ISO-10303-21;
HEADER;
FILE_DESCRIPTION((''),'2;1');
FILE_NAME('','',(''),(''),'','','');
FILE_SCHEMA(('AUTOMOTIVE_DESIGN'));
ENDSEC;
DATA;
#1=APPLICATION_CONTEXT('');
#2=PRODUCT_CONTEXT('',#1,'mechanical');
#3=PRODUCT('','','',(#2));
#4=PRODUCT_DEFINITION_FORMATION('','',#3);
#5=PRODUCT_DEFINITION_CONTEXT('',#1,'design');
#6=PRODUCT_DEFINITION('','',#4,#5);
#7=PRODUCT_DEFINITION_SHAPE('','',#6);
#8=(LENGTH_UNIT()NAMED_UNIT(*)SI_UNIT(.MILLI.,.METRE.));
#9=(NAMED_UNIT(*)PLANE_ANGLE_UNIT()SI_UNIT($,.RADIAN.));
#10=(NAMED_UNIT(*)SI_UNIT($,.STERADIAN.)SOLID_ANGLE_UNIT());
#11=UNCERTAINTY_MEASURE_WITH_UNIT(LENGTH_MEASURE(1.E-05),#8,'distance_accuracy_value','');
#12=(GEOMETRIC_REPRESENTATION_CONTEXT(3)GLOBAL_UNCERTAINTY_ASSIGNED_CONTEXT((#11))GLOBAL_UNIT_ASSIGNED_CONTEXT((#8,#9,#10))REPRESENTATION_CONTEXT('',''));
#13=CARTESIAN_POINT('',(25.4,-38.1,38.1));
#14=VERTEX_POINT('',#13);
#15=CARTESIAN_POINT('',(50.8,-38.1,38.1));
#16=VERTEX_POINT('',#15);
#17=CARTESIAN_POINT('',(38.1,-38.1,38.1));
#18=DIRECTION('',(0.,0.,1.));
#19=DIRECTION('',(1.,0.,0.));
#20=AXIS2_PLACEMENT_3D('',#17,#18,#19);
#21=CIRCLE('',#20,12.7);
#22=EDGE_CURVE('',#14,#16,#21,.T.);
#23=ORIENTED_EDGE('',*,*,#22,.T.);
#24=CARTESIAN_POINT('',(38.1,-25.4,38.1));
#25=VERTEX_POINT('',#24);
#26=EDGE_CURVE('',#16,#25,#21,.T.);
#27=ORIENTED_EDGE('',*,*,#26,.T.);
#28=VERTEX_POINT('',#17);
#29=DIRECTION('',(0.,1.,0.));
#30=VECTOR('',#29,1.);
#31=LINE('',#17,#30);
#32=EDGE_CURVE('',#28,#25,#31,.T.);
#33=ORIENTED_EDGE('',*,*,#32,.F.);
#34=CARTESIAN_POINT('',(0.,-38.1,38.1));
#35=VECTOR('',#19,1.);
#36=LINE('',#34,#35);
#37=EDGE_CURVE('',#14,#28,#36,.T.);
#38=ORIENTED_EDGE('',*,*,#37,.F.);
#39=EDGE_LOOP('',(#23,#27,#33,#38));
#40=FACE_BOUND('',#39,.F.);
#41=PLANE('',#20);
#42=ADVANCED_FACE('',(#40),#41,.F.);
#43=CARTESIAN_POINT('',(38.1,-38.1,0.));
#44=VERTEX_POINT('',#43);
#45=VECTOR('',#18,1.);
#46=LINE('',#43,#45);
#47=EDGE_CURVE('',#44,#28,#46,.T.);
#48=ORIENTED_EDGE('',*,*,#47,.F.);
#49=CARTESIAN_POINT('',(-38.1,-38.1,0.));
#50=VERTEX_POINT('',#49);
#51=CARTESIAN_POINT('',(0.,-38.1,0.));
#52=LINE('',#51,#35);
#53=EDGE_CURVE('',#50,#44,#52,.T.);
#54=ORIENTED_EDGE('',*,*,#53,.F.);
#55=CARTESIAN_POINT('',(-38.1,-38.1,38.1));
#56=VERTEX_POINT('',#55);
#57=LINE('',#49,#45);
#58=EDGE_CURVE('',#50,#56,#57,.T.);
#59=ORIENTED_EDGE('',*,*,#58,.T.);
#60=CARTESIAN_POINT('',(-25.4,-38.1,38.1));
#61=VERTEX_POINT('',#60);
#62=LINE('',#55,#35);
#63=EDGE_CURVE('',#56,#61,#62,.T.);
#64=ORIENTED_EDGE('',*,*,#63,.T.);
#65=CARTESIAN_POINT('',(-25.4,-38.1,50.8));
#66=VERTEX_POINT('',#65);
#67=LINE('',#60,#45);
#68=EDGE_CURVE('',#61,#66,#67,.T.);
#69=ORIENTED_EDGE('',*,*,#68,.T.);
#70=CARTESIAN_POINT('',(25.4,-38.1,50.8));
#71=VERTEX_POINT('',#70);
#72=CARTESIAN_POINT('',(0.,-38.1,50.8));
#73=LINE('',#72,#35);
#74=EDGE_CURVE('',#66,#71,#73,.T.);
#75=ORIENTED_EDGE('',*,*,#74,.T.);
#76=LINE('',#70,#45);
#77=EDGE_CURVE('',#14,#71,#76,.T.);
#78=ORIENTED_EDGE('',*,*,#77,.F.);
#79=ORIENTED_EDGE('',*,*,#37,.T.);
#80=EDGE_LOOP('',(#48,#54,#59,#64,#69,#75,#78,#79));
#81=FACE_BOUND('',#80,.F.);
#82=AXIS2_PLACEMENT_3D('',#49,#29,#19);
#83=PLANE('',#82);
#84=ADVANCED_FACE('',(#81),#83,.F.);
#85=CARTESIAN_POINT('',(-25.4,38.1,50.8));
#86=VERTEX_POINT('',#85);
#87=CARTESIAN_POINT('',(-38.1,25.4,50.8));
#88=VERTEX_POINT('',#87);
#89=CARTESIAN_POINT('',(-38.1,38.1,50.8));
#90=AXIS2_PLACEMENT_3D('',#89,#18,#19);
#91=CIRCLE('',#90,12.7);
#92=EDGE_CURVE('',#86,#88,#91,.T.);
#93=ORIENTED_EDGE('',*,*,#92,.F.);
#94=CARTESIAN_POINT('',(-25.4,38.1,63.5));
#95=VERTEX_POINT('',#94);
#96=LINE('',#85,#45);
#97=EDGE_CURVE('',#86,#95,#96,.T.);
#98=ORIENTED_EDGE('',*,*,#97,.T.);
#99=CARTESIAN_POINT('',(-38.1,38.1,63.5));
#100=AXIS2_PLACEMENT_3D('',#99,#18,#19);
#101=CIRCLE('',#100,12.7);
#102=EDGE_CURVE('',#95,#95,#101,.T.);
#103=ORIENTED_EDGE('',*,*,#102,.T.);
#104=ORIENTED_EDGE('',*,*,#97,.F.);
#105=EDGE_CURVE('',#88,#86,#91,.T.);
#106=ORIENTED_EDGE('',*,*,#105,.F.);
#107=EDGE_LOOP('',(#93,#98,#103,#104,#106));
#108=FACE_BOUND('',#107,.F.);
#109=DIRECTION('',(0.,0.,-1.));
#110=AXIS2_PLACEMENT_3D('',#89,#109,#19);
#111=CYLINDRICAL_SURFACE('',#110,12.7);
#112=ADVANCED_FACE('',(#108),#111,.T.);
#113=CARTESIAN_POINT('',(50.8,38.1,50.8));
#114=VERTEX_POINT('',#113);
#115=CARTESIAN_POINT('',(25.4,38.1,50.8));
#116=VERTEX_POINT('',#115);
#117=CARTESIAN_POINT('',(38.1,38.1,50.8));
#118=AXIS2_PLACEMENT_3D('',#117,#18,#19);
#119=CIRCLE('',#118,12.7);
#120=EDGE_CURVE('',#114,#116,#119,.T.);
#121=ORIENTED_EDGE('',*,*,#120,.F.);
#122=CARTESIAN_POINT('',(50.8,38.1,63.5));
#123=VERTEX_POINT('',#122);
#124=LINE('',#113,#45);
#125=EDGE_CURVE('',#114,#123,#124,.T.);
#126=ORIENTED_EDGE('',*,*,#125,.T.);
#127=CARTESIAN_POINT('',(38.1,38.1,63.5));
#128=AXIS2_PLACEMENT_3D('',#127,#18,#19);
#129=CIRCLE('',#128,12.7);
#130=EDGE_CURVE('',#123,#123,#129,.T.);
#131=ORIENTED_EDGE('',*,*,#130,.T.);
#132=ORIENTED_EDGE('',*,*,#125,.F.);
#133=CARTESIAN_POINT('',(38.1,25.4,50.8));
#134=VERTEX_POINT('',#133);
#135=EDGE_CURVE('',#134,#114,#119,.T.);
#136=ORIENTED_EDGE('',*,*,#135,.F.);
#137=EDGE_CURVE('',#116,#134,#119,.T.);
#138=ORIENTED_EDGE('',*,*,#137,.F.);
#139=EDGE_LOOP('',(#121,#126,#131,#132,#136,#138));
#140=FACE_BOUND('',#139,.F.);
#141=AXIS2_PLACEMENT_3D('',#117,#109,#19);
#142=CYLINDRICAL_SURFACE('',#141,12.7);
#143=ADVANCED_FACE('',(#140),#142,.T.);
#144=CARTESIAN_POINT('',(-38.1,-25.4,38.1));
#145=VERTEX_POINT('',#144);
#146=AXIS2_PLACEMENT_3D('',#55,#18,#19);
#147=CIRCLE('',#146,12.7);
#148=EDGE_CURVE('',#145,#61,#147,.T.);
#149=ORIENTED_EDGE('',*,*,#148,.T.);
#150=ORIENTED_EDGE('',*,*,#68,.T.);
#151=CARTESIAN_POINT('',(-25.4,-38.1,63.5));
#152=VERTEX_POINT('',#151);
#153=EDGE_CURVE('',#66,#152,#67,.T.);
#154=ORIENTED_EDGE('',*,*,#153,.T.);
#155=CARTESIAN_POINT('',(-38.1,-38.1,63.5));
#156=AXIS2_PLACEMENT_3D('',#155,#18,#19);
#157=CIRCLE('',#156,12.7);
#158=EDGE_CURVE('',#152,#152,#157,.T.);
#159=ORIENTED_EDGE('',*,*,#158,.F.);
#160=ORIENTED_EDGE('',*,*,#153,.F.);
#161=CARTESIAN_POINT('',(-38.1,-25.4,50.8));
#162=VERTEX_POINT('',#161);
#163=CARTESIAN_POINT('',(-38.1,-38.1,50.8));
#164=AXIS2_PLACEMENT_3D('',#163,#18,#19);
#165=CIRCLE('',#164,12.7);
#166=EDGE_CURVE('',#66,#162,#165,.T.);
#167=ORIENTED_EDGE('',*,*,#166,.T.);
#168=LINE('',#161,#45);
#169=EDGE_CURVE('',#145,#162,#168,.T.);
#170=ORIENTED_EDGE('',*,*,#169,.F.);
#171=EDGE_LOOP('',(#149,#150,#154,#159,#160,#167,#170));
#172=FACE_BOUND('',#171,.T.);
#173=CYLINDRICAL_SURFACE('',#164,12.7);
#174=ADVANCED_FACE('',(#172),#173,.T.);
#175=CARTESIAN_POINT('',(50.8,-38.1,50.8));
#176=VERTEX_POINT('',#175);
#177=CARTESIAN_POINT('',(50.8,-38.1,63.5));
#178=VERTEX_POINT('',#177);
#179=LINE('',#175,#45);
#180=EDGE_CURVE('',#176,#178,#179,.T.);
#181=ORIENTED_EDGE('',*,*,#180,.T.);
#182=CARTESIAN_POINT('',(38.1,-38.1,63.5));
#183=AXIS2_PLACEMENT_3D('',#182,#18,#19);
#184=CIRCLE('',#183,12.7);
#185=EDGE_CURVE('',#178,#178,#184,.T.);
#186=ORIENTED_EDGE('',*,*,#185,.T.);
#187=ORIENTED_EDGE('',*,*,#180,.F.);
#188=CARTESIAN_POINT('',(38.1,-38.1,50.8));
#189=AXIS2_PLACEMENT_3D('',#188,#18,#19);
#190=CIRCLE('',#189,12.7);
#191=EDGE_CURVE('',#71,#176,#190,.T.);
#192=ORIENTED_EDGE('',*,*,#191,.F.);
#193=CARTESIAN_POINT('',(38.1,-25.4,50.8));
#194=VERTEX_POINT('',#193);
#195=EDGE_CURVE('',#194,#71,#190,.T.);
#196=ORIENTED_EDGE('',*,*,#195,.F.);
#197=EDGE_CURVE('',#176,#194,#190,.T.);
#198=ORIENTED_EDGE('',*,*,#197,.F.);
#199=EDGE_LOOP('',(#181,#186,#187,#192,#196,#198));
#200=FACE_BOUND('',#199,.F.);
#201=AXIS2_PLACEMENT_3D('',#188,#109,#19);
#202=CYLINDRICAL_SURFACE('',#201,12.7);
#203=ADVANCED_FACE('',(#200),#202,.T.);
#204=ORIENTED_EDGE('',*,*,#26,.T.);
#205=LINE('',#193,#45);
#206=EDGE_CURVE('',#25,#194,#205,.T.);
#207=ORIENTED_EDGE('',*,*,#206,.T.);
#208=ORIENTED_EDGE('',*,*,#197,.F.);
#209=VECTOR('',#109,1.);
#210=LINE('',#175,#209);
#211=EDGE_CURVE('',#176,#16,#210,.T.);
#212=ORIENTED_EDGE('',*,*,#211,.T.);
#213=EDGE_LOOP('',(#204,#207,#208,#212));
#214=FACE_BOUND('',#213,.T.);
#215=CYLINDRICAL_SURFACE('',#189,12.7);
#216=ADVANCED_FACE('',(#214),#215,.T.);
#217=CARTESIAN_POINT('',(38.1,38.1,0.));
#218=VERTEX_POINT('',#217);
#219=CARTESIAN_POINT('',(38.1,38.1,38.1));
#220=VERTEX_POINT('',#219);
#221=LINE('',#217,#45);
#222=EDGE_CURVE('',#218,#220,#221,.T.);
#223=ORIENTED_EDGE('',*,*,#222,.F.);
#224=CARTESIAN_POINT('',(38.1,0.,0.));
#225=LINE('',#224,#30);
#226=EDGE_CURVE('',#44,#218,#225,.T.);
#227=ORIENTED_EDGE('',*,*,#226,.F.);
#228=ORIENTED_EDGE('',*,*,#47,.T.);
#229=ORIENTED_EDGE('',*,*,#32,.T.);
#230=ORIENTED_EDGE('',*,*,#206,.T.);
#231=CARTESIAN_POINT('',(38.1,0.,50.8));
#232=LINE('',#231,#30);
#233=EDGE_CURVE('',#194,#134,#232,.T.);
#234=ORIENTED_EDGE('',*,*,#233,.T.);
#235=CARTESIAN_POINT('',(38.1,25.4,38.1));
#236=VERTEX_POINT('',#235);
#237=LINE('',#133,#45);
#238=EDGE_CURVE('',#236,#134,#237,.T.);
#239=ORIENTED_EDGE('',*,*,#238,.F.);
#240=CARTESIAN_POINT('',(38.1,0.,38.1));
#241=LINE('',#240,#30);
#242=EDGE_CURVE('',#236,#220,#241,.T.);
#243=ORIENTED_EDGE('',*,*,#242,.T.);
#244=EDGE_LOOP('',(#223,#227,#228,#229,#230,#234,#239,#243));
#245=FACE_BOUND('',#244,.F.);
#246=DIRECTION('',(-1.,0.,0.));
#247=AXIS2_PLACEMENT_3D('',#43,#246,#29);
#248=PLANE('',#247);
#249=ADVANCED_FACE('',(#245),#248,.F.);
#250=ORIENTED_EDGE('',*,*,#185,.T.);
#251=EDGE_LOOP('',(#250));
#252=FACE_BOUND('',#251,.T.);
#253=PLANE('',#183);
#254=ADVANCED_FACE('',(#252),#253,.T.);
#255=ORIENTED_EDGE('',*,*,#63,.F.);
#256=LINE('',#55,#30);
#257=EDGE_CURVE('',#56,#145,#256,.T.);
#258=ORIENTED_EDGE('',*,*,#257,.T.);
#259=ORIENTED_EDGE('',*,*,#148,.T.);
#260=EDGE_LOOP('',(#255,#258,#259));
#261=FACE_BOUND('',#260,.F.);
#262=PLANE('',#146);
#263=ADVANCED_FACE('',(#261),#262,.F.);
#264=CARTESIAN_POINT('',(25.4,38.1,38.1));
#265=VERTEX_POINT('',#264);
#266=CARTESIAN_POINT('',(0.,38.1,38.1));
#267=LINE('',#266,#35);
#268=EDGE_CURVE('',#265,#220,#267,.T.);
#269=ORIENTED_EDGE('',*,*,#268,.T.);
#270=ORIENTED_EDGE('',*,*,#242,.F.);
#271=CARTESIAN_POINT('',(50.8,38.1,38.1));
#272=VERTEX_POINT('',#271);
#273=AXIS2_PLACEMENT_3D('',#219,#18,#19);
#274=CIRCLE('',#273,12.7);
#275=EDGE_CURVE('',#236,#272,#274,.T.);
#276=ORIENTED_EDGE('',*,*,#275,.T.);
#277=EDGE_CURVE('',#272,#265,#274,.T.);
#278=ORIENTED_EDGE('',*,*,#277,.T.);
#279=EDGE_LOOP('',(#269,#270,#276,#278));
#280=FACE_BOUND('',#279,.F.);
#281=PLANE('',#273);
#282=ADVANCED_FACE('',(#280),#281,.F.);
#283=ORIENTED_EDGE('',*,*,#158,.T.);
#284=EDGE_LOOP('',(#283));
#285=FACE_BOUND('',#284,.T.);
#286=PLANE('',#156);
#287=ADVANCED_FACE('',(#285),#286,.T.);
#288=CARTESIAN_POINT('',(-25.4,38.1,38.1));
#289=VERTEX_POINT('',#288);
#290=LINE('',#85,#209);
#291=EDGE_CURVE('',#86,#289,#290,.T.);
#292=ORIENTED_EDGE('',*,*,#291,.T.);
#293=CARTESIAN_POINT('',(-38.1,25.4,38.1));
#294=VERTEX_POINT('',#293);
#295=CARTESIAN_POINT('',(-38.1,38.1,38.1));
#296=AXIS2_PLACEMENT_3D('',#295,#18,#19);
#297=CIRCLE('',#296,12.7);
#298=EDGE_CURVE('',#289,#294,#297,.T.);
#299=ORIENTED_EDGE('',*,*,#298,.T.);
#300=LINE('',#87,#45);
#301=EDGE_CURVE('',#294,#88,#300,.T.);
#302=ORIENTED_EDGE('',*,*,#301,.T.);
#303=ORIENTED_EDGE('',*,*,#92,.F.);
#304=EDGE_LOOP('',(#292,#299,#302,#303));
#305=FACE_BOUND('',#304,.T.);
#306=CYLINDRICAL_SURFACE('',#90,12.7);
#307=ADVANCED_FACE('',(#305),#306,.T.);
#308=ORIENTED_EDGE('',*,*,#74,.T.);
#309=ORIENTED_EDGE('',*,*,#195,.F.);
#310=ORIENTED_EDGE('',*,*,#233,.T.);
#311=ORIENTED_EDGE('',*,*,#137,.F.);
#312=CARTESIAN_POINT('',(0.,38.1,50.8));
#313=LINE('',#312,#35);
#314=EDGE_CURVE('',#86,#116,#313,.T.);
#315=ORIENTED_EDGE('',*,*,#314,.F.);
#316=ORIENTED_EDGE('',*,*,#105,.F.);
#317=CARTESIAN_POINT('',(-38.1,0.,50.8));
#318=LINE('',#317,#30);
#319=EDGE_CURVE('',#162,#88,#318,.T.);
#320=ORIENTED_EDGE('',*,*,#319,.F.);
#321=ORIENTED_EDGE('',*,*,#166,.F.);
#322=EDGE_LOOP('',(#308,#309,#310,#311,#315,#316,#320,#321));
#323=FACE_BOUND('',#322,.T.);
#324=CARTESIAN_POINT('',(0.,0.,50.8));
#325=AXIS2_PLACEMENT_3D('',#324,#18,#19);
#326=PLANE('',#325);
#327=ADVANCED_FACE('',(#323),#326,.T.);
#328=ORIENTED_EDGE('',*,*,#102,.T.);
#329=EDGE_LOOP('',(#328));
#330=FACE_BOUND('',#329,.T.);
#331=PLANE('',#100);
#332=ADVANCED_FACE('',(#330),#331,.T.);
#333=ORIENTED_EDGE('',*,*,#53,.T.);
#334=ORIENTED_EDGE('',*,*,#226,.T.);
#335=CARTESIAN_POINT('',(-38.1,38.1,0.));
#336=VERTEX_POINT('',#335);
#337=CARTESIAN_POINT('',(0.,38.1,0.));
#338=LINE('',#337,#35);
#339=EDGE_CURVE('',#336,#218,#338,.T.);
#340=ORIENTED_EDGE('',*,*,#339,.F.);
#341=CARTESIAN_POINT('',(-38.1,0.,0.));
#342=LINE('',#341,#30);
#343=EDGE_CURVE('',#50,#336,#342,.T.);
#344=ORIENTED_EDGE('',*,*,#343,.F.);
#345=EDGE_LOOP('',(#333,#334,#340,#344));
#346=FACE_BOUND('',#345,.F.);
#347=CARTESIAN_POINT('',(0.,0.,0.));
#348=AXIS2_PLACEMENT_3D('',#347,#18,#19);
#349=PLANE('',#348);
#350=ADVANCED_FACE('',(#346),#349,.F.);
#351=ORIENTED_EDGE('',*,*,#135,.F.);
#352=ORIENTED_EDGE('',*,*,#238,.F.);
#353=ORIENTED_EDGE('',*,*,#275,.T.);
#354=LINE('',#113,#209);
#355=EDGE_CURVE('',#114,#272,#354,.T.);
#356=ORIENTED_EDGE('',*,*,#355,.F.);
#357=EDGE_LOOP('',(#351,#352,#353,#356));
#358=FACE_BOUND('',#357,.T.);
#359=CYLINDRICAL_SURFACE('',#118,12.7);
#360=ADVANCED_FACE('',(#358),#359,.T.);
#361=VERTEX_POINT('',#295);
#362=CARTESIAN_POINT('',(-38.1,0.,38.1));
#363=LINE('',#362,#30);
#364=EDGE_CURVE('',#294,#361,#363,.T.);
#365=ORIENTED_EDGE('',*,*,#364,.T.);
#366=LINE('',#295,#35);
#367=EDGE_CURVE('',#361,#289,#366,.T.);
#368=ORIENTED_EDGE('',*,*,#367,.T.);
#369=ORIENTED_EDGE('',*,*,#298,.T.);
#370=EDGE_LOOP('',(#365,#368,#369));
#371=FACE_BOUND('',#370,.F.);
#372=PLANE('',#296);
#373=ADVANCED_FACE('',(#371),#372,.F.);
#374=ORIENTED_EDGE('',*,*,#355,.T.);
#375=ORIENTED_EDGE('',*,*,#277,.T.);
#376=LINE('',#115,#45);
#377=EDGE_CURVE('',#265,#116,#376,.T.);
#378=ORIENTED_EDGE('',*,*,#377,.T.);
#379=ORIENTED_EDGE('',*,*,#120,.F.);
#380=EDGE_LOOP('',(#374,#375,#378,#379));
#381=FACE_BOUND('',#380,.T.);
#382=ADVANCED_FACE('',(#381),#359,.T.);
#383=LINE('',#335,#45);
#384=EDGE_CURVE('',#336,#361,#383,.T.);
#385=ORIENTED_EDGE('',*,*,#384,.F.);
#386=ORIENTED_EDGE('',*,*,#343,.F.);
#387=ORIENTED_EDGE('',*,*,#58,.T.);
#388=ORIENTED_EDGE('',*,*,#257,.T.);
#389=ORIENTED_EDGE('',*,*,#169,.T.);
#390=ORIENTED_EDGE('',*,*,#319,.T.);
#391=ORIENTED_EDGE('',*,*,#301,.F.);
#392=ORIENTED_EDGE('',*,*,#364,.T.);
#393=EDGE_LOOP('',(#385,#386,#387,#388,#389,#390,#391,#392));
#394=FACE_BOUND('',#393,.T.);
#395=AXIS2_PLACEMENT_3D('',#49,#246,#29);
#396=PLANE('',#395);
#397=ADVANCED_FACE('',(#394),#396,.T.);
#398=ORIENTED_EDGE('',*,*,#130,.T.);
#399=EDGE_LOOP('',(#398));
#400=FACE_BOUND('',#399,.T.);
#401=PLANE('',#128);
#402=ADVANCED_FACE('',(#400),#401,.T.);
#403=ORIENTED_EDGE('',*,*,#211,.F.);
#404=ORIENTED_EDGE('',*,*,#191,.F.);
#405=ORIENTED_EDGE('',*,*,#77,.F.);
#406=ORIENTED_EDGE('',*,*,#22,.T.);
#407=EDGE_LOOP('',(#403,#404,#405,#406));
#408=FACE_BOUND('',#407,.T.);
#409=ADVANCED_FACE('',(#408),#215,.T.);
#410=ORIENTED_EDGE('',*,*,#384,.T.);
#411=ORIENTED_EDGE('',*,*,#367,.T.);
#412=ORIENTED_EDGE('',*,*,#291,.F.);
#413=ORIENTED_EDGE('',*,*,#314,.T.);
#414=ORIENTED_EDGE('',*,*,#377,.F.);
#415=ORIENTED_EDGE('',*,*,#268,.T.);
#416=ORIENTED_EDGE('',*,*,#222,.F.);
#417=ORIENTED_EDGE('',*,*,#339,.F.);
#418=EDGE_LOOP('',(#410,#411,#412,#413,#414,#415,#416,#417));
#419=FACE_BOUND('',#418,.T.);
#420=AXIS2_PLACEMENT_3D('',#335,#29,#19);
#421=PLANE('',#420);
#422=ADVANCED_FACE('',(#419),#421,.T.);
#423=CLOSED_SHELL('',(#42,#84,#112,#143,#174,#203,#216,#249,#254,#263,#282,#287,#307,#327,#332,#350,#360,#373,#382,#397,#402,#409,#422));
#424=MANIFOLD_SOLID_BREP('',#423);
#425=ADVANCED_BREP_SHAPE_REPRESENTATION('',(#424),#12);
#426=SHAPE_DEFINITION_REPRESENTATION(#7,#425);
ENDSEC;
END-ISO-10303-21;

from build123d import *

# Parameters (mm, degrees)
F0_W     = 76.2
F0_H     = 76.2
F1_DEPTH = 50.8
F2_R     = 12.7
F3_DEPTH = 12.7


with BuildPart() as f1:
    # F0 (on Top) → F1 (new body)
    with BuildSketch(Plane.XY):
        Rectangle(F0_W, F0_H)
    extrude(amount=F1_DEPTH)

    # F2 (on face) → F3 (join, symmetric)
    with BuildSketch(Plane.XY.offset(50.8)):
        with Locations((-38.1, 38.1)):
            Circle(F2_R)
        with Locations((38.1, 38.1)):
            Circle(F2_R)
        with Locations((38.1, -38.1)):
            Circle(F2_R)
        with Locations((-38.1, -38.1)):
            Circle(F2_R)
    extrude(amount=F3_DEPTH, both=True)


solid = f1.part
